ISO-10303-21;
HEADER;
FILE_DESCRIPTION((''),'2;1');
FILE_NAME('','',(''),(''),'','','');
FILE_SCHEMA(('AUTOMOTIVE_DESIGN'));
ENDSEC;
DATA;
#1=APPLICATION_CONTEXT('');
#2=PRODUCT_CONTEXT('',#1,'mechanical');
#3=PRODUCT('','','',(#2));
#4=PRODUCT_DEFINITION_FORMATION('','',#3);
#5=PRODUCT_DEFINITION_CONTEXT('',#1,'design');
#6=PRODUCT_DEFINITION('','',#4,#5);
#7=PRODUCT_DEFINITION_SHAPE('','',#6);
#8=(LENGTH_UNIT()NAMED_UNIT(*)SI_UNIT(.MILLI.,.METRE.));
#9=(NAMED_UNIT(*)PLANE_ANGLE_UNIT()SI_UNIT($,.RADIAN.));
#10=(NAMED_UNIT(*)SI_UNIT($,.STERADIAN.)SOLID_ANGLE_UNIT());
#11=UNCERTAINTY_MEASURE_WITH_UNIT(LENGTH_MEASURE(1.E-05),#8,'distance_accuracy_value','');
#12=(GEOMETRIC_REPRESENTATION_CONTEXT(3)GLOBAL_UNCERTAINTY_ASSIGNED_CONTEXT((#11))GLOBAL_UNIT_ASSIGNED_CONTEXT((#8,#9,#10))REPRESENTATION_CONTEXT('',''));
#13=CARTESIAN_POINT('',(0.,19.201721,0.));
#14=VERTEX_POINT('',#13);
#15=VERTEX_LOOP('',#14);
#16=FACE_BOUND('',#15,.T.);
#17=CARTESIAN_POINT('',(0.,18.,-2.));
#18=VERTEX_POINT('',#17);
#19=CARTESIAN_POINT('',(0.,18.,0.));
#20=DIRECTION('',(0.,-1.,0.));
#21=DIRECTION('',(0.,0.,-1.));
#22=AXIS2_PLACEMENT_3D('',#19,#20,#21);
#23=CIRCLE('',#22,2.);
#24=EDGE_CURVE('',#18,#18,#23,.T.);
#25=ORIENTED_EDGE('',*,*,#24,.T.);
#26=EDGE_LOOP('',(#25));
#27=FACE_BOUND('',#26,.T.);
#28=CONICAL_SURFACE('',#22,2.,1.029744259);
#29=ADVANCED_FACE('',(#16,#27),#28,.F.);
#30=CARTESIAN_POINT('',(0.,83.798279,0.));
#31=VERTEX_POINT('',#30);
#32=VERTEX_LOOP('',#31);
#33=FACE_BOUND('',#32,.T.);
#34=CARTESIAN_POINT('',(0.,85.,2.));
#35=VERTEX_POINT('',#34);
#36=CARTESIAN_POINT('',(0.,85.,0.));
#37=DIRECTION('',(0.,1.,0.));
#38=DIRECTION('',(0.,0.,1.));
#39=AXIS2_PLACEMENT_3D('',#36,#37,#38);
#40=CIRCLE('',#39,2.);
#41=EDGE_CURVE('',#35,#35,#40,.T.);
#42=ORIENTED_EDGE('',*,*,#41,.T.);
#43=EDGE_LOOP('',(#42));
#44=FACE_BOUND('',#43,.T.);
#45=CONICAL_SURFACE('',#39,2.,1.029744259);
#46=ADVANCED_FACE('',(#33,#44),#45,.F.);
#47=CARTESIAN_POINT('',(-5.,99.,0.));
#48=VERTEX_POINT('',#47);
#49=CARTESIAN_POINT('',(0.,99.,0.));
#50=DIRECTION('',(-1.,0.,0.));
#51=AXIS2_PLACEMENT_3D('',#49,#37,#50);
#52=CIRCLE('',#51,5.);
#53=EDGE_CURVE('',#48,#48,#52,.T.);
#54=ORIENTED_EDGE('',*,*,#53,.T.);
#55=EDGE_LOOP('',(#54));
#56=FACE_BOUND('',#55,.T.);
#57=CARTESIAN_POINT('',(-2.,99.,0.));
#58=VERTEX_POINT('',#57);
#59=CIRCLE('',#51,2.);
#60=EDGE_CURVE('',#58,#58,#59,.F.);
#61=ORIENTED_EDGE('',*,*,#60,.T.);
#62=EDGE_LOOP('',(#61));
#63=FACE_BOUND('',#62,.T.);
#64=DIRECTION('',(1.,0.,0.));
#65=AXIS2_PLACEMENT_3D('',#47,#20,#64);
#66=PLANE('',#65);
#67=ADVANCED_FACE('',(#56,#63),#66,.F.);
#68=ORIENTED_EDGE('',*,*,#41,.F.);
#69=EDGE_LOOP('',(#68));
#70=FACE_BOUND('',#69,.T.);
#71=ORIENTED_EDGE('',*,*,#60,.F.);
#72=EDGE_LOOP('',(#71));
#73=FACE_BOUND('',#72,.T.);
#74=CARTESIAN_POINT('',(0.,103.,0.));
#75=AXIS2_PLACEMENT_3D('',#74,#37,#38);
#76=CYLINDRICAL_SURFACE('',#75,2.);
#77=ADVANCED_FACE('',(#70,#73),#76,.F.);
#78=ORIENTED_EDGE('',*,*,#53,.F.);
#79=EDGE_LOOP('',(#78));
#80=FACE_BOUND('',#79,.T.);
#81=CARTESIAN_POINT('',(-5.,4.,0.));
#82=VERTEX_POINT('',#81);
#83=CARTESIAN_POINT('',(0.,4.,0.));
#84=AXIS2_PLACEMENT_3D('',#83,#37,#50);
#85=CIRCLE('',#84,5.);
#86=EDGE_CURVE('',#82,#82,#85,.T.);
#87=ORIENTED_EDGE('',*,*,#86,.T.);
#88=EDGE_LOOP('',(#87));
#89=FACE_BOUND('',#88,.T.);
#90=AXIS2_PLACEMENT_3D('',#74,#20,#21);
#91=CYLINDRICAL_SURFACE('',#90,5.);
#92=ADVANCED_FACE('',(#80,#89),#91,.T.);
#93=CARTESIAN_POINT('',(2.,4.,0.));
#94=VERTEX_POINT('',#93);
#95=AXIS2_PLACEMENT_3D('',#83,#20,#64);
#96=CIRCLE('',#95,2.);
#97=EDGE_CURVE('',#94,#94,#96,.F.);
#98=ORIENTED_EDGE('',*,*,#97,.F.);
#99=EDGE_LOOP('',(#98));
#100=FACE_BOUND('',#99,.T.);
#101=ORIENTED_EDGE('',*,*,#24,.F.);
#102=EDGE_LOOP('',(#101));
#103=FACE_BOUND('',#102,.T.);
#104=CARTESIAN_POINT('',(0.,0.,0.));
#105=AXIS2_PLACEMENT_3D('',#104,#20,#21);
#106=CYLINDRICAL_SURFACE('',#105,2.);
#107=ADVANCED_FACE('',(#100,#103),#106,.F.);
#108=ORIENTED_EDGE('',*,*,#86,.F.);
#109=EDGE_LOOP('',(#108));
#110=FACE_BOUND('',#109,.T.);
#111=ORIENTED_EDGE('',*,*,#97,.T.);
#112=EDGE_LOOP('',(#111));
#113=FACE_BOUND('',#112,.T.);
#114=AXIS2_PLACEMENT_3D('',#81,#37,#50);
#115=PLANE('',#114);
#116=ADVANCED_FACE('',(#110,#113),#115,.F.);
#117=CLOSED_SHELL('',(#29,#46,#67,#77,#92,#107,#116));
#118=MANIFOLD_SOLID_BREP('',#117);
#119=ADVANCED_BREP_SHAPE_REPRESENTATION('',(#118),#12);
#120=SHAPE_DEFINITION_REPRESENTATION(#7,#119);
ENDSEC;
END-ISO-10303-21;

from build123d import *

# Parameters (mm, degrees)
SKETCH1_R           = 5
BOSS_EXTRUDE1_DEPTH = 103
SKETCH5_W           = 1
SKETCH5_H           = 4
SKETCH6_R           = 5
CUT_EXTRUDE1_DEPTH  = 20


with BuildPart() as part:
    # Sketch1 → Boss-Extrude1 (new body)
    with BuildSketch(Plane(origin=(0, 0, 0), x_dir=(1, 0, 0), z_dir=(0, 1, 0))):
        with Locations(Location((0, 0, 0), (0, 0, 270))):
            Circle(SKETCH1_R)
    extrude(amount=BOSS_EXTRUDE1_DEPTH)

    # Sketch4 → Ø4.0mm Dowel Hole1 (revolve, cut)
    with BuildSketch(Plane(origin=(0, 103, 0), x_dir=(0, 0, 1), z_dir=(1, 0, 0))):
        Polygon((0, 0), (0, 19.201721238), (2, 18), (2, 0.025), (2.025, 0), align=None)
    f_4_0mm_dowel_hole1 = revolve(axis=Axis((0, 109.35, 0), (0, -1, 0)), mode=Mode.SUBTRACT)

    # Mirror1: Ø4.0mm Dowel Hole1 across plane
    add(f_4_0mm_dowel_hole1.mirror(Plane.ZX.offset(51.5)), mode=Mode.SUBTRACT)

    # Sketch5 → Cut-Revolve2 (revolve, cut)
    with BuildSketch(Plane.XY):
        with Locations((-4.5, 101)):
            Rectangle(SKETCH5_W, SKETCH5_H)
        with Locations((-4.5, 2)):
            Rectangle(SKETCH5_W, SKETCH5_H)
    revolve(axis=Axis((0, 103, 0), (0, -1, 0)), mode=Mode.SUBTRACT)

    # Sketch6 → Cut-Extrude1 (cut)
    with BuildSketch(Plane(origin=(0, 99, 0), x_dir=(1, 0, 0), z_dir=(0, 1, 0))):
        with Locations(Location((0, 0, 0), (0, 0, 180))):
            Circle(SKETCH6_R)
    cut_extrude1 = extrude(amount=CUT_EXTRUDE1_DEPTH, mode=Mode.SUBTRACT)

    # Mirror3: Cut-Extrude1 across plane
    add(cut_extrude1.mirror(Plane.ZX.offset(51.5)), mode=Mode.SUBTRACT)


solid = part.part
